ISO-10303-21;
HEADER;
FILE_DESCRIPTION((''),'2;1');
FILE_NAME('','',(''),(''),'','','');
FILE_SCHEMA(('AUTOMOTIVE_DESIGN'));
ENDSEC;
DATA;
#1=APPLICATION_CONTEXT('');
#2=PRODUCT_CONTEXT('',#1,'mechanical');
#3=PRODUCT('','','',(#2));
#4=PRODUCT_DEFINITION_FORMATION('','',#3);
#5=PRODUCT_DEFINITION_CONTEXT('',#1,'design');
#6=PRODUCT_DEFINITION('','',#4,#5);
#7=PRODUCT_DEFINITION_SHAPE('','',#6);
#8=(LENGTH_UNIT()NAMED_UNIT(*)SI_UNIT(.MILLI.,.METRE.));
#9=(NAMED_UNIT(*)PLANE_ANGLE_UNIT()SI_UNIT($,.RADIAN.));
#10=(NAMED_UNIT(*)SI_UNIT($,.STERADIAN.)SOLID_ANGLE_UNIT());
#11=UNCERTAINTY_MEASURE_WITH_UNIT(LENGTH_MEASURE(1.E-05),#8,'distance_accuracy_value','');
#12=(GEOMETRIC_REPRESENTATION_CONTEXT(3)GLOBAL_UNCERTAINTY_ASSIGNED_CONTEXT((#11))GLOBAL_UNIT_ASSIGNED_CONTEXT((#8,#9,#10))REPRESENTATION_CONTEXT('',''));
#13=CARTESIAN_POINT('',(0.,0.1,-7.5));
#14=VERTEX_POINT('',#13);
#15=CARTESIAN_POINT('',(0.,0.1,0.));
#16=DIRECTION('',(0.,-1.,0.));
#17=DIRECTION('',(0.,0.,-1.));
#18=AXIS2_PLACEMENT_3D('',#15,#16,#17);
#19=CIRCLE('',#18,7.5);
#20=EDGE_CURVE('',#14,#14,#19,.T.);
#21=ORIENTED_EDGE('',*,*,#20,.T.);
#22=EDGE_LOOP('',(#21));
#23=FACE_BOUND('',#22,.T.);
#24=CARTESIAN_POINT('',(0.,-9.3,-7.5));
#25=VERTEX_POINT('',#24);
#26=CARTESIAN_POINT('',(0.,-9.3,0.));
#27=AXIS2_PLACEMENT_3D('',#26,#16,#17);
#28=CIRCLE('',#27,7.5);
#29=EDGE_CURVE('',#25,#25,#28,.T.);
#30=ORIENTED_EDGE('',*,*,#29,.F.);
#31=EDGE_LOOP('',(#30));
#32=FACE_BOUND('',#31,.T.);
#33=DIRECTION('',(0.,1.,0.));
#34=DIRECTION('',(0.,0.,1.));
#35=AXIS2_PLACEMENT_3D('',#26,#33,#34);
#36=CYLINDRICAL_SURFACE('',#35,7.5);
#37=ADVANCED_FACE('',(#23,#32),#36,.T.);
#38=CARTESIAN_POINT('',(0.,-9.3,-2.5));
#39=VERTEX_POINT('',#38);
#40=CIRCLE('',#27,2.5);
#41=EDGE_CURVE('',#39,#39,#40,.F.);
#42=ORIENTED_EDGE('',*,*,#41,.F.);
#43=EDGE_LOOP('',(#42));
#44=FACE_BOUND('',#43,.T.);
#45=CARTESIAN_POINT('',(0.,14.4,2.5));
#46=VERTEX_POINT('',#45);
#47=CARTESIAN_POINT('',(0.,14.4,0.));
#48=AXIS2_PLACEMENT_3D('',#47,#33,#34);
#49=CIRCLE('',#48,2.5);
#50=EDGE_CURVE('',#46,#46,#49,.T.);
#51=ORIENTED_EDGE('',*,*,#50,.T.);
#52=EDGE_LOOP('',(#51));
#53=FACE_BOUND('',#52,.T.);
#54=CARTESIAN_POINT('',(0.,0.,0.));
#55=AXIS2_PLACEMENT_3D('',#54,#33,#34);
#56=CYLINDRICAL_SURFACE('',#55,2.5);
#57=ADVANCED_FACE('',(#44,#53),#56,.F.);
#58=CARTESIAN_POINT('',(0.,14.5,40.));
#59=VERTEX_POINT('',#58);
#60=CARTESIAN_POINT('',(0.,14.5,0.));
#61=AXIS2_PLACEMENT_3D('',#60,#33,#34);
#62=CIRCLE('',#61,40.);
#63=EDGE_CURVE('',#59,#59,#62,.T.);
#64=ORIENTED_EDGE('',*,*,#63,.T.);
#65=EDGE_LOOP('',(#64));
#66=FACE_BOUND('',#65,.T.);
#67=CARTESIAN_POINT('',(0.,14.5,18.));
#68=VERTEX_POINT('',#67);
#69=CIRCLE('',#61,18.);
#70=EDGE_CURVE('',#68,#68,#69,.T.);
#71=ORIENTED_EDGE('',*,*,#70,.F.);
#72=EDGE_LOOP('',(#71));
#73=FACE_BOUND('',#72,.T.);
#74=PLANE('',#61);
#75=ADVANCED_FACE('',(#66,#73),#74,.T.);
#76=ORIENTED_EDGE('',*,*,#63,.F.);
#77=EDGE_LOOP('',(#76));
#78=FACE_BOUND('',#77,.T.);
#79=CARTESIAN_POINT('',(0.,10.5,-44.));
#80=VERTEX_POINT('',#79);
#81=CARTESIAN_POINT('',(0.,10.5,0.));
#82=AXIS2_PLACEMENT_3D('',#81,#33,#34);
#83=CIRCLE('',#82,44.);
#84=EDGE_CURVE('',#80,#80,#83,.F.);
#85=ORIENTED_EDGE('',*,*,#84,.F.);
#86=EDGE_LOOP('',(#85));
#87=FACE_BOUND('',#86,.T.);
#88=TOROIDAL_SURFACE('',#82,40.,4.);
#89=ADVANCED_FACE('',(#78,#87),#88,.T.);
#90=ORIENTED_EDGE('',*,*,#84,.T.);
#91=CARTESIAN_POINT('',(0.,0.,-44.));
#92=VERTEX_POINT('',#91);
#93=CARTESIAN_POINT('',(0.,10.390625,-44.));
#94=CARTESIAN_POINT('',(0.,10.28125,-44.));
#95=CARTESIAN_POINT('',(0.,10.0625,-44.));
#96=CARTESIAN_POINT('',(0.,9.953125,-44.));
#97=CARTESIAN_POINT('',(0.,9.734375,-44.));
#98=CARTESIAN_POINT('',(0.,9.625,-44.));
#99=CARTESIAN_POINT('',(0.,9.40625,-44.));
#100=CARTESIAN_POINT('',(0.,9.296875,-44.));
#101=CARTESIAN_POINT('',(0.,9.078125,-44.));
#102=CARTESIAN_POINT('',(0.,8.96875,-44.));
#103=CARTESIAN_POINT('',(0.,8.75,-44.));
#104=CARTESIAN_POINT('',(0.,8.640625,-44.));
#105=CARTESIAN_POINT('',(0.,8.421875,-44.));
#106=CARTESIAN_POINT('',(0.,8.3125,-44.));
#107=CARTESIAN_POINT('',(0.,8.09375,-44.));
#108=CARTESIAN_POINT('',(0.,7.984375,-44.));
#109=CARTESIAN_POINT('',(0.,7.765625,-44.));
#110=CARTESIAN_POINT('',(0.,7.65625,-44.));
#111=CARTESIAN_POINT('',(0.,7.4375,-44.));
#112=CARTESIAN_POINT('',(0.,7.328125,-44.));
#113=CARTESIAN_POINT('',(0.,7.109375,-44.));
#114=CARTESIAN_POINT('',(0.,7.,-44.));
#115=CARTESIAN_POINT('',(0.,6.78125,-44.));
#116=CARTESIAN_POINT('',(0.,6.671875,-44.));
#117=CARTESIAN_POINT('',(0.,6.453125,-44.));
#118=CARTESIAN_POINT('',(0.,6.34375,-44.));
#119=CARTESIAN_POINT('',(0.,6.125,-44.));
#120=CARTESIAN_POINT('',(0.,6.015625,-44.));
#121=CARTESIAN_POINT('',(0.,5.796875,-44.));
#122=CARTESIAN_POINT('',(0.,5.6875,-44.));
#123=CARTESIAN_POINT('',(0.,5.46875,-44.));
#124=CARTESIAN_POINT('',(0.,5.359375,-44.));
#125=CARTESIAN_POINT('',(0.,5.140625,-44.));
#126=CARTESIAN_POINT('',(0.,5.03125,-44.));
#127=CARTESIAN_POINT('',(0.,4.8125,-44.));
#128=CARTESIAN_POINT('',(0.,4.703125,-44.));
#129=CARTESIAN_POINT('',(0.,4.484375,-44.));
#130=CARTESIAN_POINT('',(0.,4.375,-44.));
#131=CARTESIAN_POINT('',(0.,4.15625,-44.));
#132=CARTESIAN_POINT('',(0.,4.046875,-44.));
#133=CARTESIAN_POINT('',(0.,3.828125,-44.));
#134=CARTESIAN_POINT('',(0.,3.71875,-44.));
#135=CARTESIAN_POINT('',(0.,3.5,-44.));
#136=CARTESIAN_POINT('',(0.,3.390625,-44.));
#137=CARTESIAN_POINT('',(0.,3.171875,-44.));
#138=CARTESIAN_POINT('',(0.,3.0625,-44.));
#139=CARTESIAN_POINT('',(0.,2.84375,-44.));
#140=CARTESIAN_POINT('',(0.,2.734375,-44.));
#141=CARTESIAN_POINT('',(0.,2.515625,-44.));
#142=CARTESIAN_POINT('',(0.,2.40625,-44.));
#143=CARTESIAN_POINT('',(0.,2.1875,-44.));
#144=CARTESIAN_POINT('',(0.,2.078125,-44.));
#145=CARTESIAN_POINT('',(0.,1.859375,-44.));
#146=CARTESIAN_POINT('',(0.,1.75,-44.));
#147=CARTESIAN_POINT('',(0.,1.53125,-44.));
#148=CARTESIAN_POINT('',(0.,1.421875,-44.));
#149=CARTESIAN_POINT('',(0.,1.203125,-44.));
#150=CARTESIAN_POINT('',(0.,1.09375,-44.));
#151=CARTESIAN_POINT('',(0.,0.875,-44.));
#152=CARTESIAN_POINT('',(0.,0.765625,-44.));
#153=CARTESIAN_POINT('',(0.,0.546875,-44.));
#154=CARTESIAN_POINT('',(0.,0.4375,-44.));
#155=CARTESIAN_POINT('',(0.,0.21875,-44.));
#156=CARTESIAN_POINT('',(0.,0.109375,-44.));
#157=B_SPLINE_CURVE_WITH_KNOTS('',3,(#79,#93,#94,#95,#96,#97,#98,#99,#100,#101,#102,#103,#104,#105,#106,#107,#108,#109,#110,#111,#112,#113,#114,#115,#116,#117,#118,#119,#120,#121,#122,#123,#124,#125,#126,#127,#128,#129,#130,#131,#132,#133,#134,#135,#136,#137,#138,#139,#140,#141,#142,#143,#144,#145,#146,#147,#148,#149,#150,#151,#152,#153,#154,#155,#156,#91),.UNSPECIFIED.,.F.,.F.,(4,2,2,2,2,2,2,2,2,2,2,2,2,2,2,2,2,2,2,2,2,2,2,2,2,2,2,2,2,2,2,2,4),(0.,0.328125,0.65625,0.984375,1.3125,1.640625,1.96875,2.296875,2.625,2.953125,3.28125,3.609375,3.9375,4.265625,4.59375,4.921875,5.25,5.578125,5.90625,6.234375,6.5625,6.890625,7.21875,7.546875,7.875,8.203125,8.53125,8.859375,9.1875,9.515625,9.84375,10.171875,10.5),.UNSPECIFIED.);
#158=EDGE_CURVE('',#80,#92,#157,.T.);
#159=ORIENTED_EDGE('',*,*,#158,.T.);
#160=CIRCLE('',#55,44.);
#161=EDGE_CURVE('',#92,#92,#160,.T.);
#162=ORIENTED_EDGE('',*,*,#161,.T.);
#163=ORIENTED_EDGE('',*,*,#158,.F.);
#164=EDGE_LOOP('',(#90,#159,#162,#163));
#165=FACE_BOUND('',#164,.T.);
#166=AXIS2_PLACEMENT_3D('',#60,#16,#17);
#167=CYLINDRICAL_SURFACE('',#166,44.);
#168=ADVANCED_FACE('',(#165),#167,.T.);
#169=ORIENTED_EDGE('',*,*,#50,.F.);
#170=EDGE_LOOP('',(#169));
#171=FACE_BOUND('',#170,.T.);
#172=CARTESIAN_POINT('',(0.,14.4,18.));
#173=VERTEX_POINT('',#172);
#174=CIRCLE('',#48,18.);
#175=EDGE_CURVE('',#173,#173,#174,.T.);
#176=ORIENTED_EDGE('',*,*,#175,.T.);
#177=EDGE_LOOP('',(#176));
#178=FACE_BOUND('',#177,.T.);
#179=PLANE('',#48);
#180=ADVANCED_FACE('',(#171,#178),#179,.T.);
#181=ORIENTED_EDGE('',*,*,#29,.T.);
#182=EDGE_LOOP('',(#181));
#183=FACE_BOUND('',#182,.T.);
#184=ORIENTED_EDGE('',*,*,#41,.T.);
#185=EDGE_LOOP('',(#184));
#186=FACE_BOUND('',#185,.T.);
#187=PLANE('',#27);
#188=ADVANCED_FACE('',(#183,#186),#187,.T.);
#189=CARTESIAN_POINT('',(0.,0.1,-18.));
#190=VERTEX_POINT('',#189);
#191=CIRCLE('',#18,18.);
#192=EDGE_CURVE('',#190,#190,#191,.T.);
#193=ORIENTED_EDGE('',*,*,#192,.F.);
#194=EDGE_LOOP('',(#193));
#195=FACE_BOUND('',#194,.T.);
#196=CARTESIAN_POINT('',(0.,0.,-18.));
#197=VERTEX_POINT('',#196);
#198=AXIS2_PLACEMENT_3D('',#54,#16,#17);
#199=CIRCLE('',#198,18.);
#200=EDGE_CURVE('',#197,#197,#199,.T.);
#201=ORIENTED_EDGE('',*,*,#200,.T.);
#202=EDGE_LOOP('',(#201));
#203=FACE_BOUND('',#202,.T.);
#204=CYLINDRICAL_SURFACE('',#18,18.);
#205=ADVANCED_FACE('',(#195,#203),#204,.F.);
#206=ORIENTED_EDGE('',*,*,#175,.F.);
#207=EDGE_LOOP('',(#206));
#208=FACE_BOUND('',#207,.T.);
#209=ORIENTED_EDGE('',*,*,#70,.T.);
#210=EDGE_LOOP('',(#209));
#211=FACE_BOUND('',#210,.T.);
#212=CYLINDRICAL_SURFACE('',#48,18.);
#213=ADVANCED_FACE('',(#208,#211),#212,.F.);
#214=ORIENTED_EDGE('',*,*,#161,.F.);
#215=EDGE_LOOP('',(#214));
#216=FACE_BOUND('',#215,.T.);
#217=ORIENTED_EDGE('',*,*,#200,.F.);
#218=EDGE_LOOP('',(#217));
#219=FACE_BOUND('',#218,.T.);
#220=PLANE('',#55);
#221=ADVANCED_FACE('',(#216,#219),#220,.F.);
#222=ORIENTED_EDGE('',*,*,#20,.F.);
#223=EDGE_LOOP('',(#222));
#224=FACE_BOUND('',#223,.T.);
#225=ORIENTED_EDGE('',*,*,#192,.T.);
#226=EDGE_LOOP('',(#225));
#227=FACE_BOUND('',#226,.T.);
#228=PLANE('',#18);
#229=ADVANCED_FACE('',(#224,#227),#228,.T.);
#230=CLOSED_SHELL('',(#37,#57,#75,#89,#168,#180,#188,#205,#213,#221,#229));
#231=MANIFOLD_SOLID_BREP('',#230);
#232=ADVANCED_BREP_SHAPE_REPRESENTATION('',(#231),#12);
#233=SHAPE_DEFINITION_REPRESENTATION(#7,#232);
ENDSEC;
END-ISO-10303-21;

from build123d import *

# Parameters (mm, degrees)
SKETCH1_R           = 44
BOSS_EXTRUDE1_DEPTH = 14.5
FILLET1_R           = 4
SKETCH2_R           = 18
CUT_EXTRUDE1_DEPTH  = 0.1
SKETCH3_R           = 2.5
CUT_EXTRUDE2_DEPTH  = 64.869867838
SKETCH4_R           = 7.5
SKETCH4_R_2         = 2.5
BOSS_EXTRUDE2_DEPTH = 9.3
CUT_EXTRUDE3_START  = -0.1
SKETCH4_3_R         = 18
SKETCH4_3_R_2       = 7.5
CUT_EXTRUDE3_DEPTH  = 0.1


with BuildPart() as part:
    # Sketch1 → Boss-Extrude1 (new body)
    with BuildSketch(Plane(origin=(0, 0, 0), x_dir=(1, 0, 0), z_dir=(0, 1, 0))):
        Circle(SKETCH1_R)
    extrude(amount=BOSS_EXTRUDE1_DEPTH)

    # Fillet1
    fillet1_edges = [part.edges().sort_by_distance(p)[0] for p in [
        (-44, 14.5, 0),
    ]]
    fillet(fillet1_edges, radius=FILLET1_R)

    # Sketch2 → Cut-Extrude1 (cut)
    with BuildSketch(Plane(origin=(0, 14.5, 0), x_dir=(1, 0, 0), z_dir=(0, 1, 0))):
        Circle(SKETCH2_R)
    extrude(amount=-CUT_EXTRUDE1_DEPTH, mode=Mode.SUBTRACT)

    # Sketch3 → Cut-Extrude2 (cut, through all)
    with BuildSketch(Plane(origin=(0, 14.4, 0), x_dir=(1, 0, 0), z_dir=(0, 1, 0))):
        Circle(SKETCH3_R)
    extrude(amount=-CUT_EXTRUDE2_DEPTH, mode=Mode.SUBTRACT)

    # Sketch4 → Boss-Extrude2 (add)
    with BuildSketch(Plane.XZ):
        Circle(SKETCH4_R)
        Circle(SKETCH4_R_2, mode=Mode.SUBTRACT)
    extrude(amount=BOSS_EXTRUDE2_DEPTH)

    # Sketch4<3> → Cut-Extrude3 (cut)
    with BuildSketch(Plane.XZ.offset(CUT_EXTRUDE3_START)):
        Circle(SKETCH4_3_R)
        Circle(SKETCH4_3_R_2, mode=Mode.SUBTRACT)
    extrude(amount=CUT_EXTRUDE3_DEPTH, mode=Mode.SUBTRACT)


solid = part.part
